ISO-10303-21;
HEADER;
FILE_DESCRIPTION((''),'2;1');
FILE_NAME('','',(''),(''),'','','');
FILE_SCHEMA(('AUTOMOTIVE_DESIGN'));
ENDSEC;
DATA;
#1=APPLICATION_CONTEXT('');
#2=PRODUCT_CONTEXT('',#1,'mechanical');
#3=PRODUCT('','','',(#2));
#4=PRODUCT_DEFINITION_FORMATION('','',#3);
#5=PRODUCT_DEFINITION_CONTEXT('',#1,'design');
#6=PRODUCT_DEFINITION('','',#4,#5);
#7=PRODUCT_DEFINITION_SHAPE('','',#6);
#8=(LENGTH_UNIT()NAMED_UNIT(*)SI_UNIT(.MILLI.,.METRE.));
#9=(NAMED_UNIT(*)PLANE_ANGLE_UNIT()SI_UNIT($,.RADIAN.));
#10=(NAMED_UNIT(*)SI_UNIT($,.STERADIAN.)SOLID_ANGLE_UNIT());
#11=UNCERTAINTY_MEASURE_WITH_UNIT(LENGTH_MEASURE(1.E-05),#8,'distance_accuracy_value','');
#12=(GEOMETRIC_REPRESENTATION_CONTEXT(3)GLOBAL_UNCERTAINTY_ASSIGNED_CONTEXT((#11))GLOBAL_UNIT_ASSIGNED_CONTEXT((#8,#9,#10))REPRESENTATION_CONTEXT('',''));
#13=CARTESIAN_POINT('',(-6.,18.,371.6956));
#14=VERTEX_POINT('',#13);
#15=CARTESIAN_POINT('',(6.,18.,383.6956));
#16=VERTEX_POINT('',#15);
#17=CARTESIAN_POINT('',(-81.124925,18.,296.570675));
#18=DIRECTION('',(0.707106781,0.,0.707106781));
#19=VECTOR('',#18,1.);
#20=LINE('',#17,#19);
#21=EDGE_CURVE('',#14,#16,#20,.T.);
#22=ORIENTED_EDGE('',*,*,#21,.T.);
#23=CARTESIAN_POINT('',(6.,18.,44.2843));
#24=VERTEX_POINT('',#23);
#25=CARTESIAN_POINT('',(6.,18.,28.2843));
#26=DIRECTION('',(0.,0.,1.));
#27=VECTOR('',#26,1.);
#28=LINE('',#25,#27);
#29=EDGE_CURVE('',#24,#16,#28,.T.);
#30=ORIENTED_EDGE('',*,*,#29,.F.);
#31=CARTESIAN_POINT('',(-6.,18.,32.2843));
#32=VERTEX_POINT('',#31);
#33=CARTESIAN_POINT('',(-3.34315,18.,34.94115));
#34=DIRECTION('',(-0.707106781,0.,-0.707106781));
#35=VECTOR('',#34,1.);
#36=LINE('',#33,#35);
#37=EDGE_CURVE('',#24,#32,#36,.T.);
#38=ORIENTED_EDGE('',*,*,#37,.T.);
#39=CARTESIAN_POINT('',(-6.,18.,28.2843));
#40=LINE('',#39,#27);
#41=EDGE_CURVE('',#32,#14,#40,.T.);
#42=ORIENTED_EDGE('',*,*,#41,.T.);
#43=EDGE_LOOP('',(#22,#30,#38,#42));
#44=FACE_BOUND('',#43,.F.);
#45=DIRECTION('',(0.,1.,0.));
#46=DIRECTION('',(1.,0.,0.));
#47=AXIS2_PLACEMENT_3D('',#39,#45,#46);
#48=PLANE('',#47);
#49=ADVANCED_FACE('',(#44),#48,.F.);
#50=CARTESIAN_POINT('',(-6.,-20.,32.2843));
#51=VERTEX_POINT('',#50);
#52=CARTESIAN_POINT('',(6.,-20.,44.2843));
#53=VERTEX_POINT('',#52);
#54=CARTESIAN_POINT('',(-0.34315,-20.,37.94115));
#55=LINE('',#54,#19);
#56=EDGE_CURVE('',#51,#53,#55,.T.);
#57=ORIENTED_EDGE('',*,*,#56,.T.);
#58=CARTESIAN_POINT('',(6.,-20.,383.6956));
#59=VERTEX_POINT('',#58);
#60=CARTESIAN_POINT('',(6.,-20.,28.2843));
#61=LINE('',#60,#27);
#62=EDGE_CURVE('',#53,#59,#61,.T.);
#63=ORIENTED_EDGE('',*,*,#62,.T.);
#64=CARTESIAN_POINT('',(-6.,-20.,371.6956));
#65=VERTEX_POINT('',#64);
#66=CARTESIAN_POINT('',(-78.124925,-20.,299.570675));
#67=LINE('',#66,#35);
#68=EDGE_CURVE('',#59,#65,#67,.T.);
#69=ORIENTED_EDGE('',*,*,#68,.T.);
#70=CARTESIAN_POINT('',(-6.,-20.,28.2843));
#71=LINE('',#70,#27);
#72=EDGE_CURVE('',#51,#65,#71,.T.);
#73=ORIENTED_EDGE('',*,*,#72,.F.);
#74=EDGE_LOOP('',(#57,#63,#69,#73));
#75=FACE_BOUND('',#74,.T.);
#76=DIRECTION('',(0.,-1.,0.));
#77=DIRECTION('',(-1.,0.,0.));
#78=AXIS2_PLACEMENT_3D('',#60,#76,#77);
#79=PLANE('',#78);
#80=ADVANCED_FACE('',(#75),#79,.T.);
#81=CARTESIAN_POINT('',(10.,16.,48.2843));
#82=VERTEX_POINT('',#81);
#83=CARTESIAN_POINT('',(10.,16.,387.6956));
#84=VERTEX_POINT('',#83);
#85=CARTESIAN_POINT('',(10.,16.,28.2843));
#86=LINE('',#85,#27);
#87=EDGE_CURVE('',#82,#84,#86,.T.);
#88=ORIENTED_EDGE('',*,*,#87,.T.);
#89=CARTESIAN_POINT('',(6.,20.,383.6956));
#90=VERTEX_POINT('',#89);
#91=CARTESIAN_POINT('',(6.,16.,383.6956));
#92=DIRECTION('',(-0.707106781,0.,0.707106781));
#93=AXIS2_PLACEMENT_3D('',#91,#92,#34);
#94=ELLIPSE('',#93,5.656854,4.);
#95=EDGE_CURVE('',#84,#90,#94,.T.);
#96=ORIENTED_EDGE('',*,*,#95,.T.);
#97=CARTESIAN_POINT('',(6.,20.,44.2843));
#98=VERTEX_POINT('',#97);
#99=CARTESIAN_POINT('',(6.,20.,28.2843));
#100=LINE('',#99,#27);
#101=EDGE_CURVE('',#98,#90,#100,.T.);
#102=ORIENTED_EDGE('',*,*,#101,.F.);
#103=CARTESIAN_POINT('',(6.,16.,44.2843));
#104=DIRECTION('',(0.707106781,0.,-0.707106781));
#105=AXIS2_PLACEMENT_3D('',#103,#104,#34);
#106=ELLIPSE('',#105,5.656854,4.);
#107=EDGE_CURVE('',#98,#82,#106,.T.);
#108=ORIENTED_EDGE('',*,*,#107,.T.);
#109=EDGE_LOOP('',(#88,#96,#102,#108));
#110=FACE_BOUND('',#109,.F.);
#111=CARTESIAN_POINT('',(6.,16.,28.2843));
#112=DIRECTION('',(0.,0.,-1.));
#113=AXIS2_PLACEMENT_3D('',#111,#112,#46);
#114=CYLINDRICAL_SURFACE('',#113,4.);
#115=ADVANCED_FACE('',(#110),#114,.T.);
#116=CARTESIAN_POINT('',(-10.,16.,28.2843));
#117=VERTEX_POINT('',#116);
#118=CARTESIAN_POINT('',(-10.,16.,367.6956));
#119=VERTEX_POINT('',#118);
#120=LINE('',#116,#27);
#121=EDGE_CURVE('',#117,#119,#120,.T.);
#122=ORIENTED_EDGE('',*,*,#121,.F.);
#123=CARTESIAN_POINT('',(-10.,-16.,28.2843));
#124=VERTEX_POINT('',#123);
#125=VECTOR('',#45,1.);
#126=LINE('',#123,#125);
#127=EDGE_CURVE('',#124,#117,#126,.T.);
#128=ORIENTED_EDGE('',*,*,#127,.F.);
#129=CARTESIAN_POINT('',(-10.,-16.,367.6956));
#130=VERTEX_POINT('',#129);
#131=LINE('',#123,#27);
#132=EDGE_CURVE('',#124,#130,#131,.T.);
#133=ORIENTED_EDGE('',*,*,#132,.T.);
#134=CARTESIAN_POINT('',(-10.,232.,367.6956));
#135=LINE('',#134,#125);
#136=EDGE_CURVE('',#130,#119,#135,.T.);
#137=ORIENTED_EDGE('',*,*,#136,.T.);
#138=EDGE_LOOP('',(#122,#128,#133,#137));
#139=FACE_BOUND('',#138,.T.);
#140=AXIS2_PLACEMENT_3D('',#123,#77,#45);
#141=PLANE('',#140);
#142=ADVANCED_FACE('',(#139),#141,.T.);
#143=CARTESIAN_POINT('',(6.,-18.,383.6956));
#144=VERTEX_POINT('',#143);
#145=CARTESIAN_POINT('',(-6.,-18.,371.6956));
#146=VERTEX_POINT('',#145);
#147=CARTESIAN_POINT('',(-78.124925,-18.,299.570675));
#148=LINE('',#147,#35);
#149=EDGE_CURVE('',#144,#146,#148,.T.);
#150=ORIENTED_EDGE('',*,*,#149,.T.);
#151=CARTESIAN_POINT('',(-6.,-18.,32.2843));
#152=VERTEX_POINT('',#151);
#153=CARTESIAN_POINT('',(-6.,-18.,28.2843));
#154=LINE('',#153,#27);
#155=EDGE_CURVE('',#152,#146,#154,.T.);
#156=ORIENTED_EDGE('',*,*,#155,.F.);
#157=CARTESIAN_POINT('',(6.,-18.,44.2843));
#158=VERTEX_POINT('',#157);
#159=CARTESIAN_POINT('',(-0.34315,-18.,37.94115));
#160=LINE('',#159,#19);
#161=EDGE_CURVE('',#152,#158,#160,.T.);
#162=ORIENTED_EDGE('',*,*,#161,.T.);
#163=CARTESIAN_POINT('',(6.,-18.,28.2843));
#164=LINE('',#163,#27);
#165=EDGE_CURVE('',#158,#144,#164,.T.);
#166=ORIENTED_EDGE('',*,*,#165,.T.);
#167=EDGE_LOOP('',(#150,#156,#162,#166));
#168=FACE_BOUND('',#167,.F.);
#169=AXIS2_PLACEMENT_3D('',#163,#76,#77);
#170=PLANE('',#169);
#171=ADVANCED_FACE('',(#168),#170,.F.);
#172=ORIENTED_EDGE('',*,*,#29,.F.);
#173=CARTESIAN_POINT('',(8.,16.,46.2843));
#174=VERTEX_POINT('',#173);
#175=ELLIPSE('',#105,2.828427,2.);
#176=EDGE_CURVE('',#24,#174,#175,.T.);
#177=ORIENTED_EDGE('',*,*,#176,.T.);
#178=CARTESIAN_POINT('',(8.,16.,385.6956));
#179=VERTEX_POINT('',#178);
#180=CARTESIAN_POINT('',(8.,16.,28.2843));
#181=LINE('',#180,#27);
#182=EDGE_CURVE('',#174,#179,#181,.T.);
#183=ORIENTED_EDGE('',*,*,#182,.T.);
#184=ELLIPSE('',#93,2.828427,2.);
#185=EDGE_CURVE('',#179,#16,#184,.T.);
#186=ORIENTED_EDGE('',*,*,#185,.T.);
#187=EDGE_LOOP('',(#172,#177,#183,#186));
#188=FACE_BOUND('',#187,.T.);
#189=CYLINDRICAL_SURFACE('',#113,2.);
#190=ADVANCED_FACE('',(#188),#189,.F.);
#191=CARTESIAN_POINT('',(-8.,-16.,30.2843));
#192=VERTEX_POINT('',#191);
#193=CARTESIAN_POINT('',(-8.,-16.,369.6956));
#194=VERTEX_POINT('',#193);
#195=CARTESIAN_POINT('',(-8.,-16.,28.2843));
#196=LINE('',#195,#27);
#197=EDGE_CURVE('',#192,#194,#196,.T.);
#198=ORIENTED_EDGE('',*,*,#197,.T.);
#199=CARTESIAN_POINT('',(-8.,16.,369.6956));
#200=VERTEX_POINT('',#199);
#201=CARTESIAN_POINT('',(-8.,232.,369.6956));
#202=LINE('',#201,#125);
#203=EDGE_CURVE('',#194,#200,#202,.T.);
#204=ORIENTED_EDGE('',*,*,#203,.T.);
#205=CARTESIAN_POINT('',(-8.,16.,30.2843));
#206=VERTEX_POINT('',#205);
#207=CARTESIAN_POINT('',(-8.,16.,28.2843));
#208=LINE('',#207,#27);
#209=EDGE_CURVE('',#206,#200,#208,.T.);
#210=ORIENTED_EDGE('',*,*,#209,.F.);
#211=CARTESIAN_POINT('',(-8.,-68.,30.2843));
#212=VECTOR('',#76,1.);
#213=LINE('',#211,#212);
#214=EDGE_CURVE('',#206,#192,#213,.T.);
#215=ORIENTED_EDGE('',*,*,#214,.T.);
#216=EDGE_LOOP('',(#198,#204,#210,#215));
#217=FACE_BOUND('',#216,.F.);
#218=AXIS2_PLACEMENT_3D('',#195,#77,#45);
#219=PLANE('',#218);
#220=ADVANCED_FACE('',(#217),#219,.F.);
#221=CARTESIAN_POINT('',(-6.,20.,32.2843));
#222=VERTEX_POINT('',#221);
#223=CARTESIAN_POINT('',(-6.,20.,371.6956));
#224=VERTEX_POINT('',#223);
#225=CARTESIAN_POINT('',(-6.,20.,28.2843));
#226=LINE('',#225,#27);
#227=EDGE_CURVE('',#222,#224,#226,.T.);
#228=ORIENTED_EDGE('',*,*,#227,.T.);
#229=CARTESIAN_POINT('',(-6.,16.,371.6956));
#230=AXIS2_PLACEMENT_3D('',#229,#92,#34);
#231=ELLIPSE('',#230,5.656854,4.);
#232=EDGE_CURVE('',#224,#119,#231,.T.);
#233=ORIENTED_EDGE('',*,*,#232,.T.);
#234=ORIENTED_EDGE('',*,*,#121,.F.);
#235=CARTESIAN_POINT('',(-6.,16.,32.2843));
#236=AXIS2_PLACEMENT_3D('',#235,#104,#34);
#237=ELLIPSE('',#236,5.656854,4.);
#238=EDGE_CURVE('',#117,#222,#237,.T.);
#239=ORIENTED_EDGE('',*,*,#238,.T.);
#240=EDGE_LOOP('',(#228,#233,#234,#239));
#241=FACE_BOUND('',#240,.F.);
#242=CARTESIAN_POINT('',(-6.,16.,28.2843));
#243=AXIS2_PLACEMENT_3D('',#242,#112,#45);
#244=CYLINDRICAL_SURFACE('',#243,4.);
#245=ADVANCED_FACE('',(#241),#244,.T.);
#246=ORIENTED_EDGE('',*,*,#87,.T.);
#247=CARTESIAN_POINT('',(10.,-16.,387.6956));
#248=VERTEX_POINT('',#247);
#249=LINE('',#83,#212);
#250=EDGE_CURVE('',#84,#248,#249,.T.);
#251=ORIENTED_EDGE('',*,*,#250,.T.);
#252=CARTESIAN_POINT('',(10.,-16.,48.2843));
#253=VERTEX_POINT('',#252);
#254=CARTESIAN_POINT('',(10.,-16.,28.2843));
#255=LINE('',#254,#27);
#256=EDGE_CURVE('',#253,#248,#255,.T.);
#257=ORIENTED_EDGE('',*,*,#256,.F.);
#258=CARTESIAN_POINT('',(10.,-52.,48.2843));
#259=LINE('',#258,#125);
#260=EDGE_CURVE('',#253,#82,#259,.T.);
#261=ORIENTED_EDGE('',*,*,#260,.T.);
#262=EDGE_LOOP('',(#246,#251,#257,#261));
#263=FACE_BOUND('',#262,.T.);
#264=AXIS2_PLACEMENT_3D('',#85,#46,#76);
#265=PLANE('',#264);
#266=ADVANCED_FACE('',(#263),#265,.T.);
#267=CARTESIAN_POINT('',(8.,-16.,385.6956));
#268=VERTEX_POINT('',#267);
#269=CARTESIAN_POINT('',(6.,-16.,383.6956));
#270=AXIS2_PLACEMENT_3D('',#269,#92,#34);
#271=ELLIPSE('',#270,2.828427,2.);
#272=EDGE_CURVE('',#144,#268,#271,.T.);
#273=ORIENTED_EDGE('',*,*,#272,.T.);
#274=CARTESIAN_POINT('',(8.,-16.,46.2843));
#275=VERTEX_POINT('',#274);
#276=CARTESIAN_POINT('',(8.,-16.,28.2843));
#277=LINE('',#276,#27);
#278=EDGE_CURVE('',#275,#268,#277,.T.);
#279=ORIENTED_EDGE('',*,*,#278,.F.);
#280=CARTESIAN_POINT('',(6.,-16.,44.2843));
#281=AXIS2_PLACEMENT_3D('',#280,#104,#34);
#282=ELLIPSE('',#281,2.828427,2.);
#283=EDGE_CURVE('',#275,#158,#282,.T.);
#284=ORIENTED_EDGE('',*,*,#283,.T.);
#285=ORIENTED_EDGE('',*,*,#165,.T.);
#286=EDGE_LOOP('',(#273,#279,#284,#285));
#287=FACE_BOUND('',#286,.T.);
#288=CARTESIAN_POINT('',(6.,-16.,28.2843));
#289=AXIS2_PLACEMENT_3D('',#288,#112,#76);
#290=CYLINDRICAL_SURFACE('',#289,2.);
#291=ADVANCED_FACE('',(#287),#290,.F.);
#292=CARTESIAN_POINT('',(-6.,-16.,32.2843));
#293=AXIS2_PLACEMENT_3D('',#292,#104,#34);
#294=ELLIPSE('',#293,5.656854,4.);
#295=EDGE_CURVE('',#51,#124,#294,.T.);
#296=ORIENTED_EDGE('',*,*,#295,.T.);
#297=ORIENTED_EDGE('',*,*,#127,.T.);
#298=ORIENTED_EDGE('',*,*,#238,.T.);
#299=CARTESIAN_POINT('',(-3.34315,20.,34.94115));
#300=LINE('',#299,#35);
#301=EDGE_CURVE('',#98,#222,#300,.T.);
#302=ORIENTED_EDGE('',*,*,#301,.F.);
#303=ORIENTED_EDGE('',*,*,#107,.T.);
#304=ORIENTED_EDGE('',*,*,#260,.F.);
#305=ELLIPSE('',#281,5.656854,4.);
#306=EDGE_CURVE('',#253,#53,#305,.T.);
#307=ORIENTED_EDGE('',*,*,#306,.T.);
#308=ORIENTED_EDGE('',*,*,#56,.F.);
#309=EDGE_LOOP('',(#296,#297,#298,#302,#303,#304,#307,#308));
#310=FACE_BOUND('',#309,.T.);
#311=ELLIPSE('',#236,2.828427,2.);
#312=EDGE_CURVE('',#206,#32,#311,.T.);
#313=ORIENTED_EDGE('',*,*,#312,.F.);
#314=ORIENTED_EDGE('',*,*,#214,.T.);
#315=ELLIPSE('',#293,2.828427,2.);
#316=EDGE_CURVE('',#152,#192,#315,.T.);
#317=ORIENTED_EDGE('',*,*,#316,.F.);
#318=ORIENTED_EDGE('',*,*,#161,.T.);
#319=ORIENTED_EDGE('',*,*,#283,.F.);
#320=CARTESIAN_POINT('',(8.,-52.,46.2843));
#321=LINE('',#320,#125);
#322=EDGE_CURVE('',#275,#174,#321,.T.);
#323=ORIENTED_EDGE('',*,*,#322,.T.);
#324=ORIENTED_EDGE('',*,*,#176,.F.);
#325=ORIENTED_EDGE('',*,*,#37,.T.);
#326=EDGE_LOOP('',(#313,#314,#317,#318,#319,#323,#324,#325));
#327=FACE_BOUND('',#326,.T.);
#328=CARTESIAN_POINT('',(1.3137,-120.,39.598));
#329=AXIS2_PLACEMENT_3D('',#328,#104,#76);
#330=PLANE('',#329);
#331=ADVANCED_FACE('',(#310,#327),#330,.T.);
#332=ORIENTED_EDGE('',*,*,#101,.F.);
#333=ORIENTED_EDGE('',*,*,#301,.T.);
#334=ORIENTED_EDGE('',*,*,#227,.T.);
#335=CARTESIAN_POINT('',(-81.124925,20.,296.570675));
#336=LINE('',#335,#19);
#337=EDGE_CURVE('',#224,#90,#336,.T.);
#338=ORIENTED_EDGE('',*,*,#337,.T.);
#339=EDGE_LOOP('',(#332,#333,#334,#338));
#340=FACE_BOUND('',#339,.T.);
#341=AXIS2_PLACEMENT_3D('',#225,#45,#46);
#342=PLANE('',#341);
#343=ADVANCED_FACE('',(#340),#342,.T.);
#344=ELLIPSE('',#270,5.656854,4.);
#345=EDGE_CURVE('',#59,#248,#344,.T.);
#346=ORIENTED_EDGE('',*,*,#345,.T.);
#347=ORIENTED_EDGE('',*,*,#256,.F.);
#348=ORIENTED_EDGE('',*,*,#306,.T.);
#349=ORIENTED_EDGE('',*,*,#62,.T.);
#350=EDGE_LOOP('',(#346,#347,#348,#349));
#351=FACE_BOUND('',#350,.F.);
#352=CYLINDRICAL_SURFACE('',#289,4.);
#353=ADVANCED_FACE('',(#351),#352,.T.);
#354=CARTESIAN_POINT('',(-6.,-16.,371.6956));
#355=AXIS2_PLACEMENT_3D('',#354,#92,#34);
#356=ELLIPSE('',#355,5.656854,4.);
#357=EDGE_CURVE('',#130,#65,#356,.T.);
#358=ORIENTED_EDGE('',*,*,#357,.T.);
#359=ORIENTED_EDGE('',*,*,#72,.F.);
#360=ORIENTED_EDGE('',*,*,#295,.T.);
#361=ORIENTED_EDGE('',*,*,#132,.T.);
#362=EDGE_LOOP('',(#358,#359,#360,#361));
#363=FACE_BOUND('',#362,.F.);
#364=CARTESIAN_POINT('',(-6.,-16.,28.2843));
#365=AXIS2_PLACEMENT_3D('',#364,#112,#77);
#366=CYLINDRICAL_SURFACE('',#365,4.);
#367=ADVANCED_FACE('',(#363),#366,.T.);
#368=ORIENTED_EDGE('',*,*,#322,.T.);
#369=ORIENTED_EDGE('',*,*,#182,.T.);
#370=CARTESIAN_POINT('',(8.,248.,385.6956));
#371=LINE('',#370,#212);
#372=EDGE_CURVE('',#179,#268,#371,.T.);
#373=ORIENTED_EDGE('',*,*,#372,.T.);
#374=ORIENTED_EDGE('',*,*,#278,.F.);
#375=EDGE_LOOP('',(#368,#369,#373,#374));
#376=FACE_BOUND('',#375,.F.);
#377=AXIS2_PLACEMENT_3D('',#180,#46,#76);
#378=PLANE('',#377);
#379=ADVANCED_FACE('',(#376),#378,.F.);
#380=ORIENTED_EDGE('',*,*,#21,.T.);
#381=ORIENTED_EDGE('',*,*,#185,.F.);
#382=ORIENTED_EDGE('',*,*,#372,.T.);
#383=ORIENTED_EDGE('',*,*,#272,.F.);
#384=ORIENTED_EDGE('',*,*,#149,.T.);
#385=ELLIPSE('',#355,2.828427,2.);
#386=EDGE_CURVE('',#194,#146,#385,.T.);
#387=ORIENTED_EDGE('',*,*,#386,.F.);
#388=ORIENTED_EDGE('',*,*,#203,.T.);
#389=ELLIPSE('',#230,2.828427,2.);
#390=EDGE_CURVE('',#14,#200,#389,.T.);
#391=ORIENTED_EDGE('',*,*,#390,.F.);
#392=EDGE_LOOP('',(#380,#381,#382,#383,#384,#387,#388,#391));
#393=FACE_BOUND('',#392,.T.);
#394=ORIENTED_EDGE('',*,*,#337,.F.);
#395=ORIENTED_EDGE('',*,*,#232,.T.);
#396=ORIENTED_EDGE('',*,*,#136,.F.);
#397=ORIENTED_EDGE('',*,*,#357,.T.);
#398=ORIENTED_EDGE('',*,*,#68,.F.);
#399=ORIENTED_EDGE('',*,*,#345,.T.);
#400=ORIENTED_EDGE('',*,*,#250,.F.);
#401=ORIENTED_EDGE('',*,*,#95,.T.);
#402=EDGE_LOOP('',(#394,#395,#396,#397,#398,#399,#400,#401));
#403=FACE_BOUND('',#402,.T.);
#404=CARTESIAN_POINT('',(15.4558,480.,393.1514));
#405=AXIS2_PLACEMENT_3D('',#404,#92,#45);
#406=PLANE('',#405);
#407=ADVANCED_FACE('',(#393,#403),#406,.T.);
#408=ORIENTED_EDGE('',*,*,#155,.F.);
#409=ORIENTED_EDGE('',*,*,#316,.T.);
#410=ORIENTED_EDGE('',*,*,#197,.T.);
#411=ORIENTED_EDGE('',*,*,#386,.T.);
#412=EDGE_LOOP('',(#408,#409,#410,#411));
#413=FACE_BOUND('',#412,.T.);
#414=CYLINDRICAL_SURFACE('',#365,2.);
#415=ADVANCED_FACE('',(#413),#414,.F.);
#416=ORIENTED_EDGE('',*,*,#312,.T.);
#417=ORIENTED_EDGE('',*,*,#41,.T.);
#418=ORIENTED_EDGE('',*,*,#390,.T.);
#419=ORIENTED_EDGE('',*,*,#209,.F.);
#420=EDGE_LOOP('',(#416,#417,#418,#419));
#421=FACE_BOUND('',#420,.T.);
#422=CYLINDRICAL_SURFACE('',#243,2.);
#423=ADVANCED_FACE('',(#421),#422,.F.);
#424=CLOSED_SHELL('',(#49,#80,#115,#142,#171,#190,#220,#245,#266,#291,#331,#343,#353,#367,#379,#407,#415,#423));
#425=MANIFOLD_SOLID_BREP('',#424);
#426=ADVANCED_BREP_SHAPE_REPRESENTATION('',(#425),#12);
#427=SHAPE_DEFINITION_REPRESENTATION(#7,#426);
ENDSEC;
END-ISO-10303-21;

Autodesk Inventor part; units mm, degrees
ref_plane "Start Plane" through (0, 0, 28.2843) normal (0, 0, 1) x (1, 0, 0)
ref_plane "End Plane" through (0, 0, 387.6955) normal (0, 0, 1) x (1, 0, 0)
sketch "Sketch" plane through (0, 0, 0) normal (0, 0, 1) x (1, 0, 0)
  line L0 (-10, -16) -> (-10, 16)
  line L1 (-6, 20) -> (6, 20)
  line L2 (10, 16) -> (10, -16)
  line L3 (6, -20) -> (-6, -20)
  arc A0 (-10, -16) -> (-6, -20) centre (-6, -16) ccw
  arc A1 (10, 16) -> (6, 20) centre (6, 16) ccw
  arc A2 (-6, 20) -> (-10, 16) centre (-6, 16) ccw
  arc A3 (6, -20) -> (10, -16) centre (6, -16) ccw
  arc A4 (-6, 18) -> (-8, 16) centre (-6, 16) ccw
  line L4 (-6, 18) -> (6, 18)
  arc A5 (8, 16) -> (6, 18) centre (6, 16) ccw
  line L5 (8, 16) -> (8, -16)
  arc A6 (6, -18) -> (8, -16) centre (6, -16) ccw
  line L6 (6, -18) -> (-6, -18)
  arc A7 (-8, -16) -> (-6, -18) centre (-6, -16) ccw
  line L7 (-8, -16) -> (-8, 16)
  line L8 (0, 29.1598) -> (0, -29.1598) construction
  line L9 (-15.1598, 0) -> (15.1598, 0) construction
  dimension "d7" = 4
  dimension "d9" = 20
  dimension "d11" = 40
  dimension "d12" = 2
  dimension "d15" = 10
  dimension "d16" = 20
extrude "Body" add sketch "Sketch" along normal up to surface (359.4113 mm away) from surface at 28.2843
sketch "Sketch3" plane through (0, 0, 0) normal (0, 0, 1) x (1, 0, 0)
  line L0 (0, 0) -> (10, 0)
ref_plane "Work Plane3" through (0, 0, 0) normal (0, -1, 0) x (1, 0, 0)
ref_plane "Work Plane4" through (1.3137, -120, 39.598) normal (0.7071, 0, -0.7071) x (-0.7071, 0, -0.7071)
split "Split1" plane through (1.3137, -120, 39.598) removes the side toward (0.7071, 0, -0.7071)
ref_plane "Work Plane5" through (15.4558, 480, 393.1514) normal (-0.7071, 0, 0.7071) x (0.7071, 0, 0.7071)
split "Split2" plane through (15.4558, 480, 393.1514) removes the side toward (-0.7071, 0, 0.7071)
sketch "Sketch4" plane through (0, 0, 0) normal (0, -1, 0) x (1, 0, 0)
  line L0 (-2, 28.2843) -> (12, 28.2843) projected
  line L1 (-2, 387.6955) -> (12, 387.6955) projected
  dimension "d18" = 359.4112
equation "\"d7\" = G_IR"
equation "\"d9\" = G_W"
equation "\"d11\" = G_H"
equation "\"d12\" = G_T"
equation "\"d15\" = 0.5 * d9"
equation "\"d16\" = 0.5 * d11"
equation "\"d3\" = G_L"
equation "\"G_W\" = 20"
equation "\"G_H\" = 40"
equation "\"G_T\" = 2"
equation "\"G_IR\" = 4"
equation "\"G_L\" = d18"
equation "\"G_OFFSET_START\" = -28.28427"
equation "\"G_OFFSET_END\" = -36.56854"
equation "\"d13\" = -G_OFFSET_START"
equation "\"d14\" = G_OFFSET_END + B_L"
equation "\"B_L\" = 424.26407"
properties part number "ISO 4019 - 40x20x2 - 359,41" material "Steel, Mild"
